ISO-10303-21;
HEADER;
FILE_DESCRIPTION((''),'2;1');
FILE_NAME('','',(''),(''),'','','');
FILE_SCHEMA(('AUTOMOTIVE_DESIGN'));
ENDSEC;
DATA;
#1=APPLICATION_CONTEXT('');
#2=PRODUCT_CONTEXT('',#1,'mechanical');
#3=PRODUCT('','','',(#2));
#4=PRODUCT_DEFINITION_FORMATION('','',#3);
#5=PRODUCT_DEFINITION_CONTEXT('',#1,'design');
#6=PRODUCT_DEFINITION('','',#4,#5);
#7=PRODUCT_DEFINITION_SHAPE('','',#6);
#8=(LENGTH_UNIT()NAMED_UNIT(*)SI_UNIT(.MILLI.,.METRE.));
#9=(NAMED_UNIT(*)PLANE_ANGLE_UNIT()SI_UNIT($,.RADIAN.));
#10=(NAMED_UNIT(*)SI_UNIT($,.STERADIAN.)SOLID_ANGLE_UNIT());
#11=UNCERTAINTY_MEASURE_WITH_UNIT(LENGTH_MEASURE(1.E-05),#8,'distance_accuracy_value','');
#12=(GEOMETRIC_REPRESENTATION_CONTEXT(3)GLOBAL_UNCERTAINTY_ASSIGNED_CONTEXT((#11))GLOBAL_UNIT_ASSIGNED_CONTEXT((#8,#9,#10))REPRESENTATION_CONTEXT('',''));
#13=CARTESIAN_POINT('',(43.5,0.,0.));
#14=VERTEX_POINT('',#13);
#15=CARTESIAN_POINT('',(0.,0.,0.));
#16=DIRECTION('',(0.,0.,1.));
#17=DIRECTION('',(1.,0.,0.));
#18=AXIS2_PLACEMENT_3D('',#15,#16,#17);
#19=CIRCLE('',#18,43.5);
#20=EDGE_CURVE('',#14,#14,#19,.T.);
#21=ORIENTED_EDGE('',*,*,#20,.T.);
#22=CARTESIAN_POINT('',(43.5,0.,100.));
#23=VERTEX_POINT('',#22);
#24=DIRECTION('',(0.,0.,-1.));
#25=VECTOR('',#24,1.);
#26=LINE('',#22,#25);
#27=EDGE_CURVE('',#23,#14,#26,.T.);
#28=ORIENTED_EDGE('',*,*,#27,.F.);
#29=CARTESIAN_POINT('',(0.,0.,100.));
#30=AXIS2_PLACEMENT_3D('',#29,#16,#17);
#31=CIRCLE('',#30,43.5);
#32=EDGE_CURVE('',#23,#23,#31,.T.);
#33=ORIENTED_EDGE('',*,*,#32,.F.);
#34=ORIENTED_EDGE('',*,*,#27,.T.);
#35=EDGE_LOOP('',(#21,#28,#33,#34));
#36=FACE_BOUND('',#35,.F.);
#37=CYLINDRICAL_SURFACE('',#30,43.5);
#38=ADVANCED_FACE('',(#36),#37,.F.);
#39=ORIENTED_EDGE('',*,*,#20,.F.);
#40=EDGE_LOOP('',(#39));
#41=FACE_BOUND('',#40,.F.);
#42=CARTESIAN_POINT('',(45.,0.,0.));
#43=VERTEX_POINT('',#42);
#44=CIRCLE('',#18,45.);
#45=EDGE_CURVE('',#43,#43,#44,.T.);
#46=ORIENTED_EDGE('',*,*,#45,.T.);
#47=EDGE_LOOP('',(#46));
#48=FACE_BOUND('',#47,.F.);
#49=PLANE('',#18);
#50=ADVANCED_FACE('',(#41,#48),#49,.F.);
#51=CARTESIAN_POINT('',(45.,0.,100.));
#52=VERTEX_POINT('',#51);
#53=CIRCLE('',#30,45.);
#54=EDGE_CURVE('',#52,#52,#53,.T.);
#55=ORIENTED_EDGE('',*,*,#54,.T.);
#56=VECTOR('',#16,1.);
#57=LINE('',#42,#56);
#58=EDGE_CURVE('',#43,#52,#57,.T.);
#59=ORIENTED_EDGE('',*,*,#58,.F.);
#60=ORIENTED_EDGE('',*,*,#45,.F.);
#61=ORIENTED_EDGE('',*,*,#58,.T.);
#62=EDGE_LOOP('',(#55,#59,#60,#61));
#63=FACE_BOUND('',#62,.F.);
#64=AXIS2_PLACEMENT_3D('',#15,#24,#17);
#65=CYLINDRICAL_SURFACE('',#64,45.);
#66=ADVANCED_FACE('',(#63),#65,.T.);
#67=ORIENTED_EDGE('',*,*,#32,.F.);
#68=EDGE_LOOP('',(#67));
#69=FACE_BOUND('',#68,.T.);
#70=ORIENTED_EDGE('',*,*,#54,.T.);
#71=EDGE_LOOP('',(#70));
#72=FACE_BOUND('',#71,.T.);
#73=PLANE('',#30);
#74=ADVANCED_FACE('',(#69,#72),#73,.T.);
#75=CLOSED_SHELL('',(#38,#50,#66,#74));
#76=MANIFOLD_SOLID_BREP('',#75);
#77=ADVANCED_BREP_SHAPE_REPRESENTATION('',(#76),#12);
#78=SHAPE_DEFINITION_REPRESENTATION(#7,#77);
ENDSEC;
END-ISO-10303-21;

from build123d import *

# Parameters (mm, degrees)
F0_R     = 45
F1_DEPTH = 100
F2_R     = 43.5
F3_DEPTH = 4000


with BuildPart() as f1:
    # F0 (on Top) → F1 (new body)
    with BuildSketch(Plane.XY):
        Circle(F0_R)
    extrude(amount=F1_DEPTH)

    # F2 (on face) + F0 (on Top) → F3 (cut)
    with BuildSketch(Plane.XY.offset(100)):
        Circle(F2_R)
    with BuildSketch(Plane.XY):
        Circle(F0_R)
    extrude(amount=-F3_DEPTH, mode=Mode.SUBTRACT)


solid = f1.part
